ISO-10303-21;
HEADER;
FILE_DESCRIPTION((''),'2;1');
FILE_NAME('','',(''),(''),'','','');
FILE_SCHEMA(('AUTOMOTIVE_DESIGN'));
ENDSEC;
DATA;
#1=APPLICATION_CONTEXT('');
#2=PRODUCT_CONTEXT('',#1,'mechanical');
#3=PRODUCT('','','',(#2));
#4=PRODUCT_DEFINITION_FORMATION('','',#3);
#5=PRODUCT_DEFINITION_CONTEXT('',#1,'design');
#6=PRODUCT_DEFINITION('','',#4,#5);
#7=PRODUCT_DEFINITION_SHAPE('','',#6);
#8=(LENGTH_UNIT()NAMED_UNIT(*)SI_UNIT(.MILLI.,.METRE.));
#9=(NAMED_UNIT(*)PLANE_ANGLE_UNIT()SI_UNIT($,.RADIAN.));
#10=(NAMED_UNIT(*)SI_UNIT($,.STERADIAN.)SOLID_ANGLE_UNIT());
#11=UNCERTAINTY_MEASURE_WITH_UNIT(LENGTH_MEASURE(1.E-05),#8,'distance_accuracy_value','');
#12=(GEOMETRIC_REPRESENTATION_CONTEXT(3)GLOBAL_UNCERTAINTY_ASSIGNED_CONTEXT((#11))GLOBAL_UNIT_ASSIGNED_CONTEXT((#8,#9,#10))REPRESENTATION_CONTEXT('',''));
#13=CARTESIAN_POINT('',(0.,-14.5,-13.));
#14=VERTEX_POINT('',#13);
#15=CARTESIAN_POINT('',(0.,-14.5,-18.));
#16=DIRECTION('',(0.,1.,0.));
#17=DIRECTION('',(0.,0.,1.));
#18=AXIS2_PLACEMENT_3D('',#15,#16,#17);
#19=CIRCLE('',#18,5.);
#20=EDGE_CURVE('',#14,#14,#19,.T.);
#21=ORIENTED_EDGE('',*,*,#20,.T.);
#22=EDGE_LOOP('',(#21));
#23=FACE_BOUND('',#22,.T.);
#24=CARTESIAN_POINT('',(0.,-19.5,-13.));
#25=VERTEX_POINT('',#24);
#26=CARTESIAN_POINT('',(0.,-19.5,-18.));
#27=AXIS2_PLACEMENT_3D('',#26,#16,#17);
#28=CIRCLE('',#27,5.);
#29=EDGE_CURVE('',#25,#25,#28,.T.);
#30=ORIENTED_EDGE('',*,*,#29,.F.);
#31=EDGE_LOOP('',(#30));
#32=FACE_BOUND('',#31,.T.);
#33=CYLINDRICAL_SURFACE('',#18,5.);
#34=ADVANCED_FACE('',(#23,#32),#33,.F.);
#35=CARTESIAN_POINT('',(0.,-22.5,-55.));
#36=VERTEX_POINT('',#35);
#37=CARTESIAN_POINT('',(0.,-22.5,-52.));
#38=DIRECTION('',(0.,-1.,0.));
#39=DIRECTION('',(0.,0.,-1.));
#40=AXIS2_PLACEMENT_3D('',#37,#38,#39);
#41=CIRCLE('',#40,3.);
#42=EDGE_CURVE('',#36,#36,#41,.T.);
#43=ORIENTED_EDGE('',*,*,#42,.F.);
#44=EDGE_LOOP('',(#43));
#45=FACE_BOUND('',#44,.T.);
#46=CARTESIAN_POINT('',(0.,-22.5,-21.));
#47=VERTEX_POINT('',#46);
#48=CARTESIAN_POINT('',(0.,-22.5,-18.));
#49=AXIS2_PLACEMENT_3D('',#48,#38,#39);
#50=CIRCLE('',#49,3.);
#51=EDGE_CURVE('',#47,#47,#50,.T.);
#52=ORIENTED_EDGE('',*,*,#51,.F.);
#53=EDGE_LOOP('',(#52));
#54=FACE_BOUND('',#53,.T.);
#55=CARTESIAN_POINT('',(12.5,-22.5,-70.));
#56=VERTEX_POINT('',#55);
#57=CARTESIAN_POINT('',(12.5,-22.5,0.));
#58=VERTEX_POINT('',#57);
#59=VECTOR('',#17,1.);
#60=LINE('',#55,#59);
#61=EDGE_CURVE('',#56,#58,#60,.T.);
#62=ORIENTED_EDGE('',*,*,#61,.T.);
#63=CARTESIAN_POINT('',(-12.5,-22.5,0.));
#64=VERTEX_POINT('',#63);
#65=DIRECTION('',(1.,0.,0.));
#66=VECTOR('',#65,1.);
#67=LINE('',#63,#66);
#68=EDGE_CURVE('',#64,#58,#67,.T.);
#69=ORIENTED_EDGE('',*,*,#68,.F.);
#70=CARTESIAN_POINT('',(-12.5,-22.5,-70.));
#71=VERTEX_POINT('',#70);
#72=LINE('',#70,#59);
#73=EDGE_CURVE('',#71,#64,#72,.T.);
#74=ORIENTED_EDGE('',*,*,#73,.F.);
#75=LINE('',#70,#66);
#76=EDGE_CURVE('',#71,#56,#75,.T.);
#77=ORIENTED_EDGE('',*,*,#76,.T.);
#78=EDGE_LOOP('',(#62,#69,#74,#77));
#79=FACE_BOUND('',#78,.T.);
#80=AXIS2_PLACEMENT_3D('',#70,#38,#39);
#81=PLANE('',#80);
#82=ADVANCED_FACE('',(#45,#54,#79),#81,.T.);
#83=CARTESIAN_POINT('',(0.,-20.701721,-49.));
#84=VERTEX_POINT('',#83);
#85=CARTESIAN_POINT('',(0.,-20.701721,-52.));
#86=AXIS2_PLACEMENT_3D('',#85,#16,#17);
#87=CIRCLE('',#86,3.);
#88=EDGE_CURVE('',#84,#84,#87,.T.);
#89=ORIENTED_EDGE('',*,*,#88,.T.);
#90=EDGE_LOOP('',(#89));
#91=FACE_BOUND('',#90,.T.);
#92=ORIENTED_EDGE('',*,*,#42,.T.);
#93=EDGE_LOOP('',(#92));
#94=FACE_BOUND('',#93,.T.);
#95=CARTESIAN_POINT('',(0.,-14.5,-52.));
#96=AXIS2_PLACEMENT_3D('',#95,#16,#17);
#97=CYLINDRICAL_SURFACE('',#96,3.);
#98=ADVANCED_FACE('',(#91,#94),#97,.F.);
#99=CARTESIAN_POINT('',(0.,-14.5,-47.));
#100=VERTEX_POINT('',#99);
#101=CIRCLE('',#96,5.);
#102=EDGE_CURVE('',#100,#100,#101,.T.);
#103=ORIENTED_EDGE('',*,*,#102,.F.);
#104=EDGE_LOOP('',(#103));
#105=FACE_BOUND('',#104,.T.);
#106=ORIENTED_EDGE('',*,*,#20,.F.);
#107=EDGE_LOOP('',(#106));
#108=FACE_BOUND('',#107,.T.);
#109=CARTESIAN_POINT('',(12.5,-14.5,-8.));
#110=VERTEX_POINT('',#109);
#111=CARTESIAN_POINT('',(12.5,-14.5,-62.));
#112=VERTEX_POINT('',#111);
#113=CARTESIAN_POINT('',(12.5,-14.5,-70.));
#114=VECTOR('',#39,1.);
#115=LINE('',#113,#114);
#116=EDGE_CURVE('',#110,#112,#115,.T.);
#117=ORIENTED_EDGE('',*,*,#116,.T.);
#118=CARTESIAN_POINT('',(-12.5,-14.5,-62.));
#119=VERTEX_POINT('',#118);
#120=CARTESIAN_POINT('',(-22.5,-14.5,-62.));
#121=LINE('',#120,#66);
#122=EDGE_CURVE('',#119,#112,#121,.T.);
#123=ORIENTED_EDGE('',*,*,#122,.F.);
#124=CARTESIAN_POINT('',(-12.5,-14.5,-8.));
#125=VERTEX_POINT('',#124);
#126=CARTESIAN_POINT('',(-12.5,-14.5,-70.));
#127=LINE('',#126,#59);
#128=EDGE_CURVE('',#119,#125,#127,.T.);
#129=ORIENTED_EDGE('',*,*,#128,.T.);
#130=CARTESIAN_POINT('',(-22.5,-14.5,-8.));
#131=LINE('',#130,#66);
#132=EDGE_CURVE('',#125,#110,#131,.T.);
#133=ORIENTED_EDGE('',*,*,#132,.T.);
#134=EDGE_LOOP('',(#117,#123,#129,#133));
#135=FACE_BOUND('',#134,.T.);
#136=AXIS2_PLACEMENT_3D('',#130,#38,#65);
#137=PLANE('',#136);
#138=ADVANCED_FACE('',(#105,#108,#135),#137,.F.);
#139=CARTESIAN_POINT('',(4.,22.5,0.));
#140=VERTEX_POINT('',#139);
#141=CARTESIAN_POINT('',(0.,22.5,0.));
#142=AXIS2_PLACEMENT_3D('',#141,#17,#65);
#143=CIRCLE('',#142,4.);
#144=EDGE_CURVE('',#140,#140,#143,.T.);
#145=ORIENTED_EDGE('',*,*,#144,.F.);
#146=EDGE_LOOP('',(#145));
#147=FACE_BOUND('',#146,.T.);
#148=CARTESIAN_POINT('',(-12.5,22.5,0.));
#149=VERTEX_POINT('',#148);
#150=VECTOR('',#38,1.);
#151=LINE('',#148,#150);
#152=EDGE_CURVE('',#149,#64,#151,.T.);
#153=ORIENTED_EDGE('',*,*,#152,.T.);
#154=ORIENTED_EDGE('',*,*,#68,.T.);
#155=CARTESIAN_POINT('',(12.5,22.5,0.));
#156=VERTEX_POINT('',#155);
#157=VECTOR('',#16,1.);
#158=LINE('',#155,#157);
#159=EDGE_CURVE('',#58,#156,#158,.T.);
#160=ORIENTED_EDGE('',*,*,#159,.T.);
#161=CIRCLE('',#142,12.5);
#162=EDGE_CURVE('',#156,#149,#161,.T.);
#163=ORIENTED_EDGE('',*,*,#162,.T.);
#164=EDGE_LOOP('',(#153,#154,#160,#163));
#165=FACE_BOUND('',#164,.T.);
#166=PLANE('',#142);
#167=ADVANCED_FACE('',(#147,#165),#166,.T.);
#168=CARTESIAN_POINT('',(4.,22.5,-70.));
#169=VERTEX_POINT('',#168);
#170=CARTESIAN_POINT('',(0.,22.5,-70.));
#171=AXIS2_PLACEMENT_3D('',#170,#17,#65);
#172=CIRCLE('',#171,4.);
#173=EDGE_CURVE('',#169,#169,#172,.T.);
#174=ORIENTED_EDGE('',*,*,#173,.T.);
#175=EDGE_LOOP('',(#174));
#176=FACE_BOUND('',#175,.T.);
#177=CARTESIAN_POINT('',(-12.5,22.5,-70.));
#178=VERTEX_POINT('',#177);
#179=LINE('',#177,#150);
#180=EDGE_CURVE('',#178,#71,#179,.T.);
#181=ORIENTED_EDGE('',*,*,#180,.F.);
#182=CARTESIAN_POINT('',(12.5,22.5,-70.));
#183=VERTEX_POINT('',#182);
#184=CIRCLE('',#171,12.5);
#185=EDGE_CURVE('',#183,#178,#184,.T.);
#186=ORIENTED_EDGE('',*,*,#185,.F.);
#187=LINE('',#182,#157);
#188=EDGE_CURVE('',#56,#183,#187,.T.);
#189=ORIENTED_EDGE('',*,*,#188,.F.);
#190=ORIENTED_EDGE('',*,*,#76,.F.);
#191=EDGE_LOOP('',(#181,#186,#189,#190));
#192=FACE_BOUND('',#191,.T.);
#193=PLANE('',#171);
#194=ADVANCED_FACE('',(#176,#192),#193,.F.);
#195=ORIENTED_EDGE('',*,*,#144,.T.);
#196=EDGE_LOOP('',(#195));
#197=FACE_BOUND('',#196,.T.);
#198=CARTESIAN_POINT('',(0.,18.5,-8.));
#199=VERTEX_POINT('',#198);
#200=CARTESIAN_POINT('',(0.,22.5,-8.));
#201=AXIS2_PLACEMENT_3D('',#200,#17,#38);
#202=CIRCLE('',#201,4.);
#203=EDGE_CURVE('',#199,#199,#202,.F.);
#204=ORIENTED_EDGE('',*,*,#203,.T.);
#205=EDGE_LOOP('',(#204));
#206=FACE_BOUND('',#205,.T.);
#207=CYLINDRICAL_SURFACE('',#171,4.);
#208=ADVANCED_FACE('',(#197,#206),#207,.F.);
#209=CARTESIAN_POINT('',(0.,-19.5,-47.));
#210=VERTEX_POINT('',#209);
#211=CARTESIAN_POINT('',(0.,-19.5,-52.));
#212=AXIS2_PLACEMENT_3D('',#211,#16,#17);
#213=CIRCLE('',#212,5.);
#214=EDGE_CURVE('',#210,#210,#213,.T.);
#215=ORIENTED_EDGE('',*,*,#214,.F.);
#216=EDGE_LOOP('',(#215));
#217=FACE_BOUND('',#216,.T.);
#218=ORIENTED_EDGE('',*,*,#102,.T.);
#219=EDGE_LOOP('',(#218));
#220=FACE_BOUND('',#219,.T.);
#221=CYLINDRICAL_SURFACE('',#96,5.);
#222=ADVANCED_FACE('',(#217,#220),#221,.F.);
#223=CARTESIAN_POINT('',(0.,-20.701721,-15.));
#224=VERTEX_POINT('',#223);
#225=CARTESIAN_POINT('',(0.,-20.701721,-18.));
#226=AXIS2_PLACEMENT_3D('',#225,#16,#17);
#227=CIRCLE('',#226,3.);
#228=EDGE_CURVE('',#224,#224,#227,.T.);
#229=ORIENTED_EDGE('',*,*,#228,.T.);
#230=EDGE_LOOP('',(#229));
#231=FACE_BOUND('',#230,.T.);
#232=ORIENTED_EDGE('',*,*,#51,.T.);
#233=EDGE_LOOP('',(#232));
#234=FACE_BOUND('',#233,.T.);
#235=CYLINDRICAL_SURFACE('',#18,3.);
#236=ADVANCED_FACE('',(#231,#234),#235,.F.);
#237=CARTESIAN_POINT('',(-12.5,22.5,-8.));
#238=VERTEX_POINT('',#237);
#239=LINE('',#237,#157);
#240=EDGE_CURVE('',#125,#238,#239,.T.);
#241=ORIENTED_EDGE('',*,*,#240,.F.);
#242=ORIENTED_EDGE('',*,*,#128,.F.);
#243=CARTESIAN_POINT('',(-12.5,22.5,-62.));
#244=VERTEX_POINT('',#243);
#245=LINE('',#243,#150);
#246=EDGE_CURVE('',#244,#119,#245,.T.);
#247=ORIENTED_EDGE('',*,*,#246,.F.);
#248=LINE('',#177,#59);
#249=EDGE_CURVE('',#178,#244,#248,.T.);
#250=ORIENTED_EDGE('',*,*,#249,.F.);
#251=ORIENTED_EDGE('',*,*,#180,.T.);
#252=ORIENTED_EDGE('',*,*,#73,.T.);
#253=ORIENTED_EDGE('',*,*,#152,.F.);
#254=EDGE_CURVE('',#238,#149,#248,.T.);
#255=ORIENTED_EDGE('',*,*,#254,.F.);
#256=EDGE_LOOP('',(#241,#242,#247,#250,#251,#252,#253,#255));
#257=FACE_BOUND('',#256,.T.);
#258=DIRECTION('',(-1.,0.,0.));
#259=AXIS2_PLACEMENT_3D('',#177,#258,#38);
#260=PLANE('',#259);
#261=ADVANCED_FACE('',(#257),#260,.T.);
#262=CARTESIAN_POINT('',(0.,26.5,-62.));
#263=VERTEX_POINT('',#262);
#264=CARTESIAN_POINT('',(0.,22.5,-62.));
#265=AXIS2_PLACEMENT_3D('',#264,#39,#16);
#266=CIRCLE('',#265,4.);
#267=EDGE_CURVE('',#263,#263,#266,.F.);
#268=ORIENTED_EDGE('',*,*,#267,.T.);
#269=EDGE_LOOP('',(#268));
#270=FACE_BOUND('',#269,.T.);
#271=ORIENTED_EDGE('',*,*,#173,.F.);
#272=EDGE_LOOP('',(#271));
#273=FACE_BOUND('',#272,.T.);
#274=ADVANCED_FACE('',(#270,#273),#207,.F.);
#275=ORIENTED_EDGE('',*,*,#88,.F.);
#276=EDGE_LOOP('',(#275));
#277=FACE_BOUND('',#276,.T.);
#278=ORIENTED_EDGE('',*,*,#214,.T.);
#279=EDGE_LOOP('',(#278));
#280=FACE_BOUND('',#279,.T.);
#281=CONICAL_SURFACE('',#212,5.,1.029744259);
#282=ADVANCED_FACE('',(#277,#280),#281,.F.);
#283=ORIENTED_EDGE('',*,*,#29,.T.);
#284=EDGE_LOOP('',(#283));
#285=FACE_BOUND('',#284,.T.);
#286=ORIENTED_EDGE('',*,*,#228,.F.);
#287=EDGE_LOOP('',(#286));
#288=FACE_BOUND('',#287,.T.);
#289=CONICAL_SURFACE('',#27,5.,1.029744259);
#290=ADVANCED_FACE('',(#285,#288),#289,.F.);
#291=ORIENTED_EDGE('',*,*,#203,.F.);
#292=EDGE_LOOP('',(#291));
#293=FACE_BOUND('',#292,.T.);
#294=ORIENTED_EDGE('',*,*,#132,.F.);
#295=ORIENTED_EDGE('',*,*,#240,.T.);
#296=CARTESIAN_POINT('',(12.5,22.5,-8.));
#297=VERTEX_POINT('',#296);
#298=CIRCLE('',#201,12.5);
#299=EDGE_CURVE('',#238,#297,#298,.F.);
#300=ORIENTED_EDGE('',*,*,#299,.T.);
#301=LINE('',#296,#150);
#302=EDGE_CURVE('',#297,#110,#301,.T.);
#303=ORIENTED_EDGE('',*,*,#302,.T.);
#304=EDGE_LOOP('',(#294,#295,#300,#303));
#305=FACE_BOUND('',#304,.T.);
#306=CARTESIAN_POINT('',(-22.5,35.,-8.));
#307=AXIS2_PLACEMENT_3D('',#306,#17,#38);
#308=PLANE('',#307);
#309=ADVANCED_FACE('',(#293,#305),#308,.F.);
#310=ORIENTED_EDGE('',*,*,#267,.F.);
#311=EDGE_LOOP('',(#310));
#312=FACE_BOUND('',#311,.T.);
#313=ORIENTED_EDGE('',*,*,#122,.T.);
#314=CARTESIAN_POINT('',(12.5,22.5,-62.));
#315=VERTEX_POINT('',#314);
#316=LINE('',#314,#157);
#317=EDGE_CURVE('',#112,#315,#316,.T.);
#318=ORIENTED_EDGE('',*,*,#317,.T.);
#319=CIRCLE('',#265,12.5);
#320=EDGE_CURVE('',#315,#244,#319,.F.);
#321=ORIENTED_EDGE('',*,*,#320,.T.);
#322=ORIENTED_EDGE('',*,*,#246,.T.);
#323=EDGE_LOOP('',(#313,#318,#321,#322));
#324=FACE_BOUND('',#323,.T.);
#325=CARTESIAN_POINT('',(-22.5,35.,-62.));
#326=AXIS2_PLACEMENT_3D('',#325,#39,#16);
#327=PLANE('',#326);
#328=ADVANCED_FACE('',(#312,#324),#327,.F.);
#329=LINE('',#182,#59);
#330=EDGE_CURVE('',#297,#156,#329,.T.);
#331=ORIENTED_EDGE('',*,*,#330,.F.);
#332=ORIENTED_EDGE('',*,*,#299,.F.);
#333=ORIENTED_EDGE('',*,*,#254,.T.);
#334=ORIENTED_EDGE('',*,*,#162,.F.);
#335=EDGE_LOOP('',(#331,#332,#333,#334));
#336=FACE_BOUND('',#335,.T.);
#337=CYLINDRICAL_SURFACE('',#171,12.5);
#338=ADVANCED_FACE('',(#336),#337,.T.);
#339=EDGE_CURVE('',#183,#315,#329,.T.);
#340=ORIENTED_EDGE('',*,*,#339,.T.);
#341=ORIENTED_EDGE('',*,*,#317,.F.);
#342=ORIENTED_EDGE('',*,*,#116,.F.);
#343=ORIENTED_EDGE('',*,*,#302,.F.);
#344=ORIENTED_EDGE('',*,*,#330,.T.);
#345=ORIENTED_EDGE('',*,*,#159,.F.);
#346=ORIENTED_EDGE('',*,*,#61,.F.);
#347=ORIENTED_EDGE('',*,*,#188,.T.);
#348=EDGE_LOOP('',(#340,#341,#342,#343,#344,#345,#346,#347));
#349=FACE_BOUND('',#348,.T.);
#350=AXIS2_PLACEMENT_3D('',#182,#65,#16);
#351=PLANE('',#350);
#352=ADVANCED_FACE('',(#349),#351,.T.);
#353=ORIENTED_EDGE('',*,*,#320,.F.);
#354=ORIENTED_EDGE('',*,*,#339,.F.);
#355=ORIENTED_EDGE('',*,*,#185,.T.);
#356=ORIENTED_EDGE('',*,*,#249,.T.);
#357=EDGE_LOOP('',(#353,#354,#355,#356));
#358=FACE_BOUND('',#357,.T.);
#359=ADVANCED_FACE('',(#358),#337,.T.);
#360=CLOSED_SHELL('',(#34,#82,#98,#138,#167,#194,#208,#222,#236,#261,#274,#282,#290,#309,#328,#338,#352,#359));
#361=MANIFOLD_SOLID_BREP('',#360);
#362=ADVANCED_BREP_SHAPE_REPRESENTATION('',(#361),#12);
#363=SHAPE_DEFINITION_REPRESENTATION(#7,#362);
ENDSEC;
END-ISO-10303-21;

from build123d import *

# Parameters (mm, degrees)
SKETCH1_R           = 4
BOSS_EXTRUDE1_DEPTH = 70
SKETCH2_W           = 54
SKETCH2_H           = 49.5
CUT_EXTRUDE1_DEPTH  = 35
HOLE1_AT_2_COUNT    = 2
HOLE1_AT_2_PITCH    = 34


with BuildPart() as part:
    # Sketch1 → Boss-Extrude1 (new body)
    with BuildSketch(Plane.XY):
        with BuildLine():
            Line((-12.5, 22.5), (-12.5, -22.5))
            Line((-12.5, -22.5), (12.5, -22.5))
            Line((12.5, -22.5), (12.5, 22.5))
            ThreePointArc((12.5, 22.5), (0, 35), (-12.5, 22.5))
        make_face()
        with Locations((0, 22.5)):
            Circle(SKETCH1_R, mode=Mode.SUBTRACT)
    extrude(amount=-BOSS_EXTRUDE1_DEPTH)

    # Sketch2 → Cut-Extrude1 (cut, symmetric)
    with BuildSketch(Plane(origin=(12.5, 0, 0), x_dir=(0, 0, -1), z_dir=(1, 0, 0))):
        with Locations((35, 10.25)):
            Rectangle(SKETCH2_W, SKETCH2_H)
    extrude(amount=CUT_EXTRUDE1_DEPTH, both=True, mode=Mode.SUBTRACT)

    # Sketch5 → Hole1 (revolve, cut)
    with BuildSketch(Plane(origin=(0, -14.5, -52), x_dir=(0, 0, 1), z_dir=(1, 0, 0))):
        Polygon((0, 0), (0, 8), (3, 8), (3, 6.201721238), (5, 5), (5, 0), align=None)
    hole1 = revolve(axis=Axis((0, -8.369976101, -52), (0, -1, 0)), mode=Mode.SUBTRACT)

    # Hole1 at 2: Hole1 ×2
    with Locations(*[(0, 0, i * HOLE1_AT_2_PITCH) for i in range(1, HOLE1_AT_2_COUNT)]):
        add(hole1, mode=Mode.SUBTRACT)


solid = part.part
